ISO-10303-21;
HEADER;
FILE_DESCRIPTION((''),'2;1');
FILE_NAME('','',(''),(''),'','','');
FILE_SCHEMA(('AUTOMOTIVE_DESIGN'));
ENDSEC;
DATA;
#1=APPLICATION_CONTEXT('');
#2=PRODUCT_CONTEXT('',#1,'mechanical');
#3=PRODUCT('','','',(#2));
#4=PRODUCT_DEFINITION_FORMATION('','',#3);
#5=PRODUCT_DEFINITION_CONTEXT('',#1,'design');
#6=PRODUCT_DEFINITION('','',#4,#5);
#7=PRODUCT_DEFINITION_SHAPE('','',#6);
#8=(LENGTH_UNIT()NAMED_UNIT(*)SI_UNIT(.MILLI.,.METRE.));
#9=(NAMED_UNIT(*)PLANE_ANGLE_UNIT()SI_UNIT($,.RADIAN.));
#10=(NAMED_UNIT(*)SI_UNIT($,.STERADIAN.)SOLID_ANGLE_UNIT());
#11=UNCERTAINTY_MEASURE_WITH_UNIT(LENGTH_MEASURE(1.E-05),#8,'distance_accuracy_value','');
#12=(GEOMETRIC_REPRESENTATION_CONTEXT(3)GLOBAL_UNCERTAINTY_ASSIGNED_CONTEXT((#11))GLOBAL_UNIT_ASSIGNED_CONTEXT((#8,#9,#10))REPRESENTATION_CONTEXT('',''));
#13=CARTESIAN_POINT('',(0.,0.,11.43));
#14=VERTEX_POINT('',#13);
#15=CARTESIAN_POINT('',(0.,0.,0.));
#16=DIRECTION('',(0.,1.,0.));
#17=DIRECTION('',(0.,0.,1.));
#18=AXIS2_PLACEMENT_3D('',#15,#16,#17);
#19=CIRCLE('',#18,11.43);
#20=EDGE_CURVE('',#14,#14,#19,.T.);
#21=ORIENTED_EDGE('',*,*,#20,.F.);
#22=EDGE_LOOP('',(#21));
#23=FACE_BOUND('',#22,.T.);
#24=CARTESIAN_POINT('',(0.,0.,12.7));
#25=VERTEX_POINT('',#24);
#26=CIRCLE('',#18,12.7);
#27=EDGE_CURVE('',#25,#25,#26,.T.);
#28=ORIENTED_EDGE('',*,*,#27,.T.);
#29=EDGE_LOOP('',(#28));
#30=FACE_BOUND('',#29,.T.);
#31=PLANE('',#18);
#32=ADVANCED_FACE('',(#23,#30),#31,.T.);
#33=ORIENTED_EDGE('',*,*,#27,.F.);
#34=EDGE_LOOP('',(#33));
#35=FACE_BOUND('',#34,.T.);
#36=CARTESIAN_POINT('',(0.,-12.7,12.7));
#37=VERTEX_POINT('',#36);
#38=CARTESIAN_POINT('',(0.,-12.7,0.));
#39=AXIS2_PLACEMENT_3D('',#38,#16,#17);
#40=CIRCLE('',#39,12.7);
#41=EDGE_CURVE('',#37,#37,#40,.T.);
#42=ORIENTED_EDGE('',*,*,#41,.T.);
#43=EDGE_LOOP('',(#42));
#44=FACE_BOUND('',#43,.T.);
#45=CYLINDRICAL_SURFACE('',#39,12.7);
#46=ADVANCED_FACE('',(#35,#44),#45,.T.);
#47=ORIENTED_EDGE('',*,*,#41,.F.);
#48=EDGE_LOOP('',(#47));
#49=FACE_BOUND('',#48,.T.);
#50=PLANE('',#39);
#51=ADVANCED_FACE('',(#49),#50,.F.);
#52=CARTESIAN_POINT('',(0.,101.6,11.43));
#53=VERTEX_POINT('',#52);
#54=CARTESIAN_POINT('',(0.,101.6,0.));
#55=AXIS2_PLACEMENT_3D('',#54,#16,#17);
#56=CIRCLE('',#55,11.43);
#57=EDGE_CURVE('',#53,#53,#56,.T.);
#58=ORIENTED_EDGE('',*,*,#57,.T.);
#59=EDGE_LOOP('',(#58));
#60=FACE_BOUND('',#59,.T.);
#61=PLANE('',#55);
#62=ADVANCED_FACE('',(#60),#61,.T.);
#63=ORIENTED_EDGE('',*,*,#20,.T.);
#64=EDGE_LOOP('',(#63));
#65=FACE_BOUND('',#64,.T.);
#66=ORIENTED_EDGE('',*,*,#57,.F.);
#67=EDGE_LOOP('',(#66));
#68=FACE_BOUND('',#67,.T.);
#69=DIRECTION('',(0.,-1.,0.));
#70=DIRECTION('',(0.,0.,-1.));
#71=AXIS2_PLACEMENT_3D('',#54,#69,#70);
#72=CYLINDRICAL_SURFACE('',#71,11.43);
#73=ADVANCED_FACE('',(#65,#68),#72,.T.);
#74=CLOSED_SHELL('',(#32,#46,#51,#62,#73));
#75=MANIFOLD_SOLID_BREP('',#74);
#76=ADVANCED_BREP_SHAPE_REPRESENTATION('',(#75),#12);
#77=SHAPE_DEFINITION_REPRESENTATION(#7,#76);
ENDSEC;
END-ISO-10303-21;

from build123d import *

# Parameters (mm, degrees)
SKETCH1_R           = 11.43
BOSS_EXTRUDE1_DEPTH = 101.6
SKETCH1_3_R         = 12.7
BOSS_EXTRUDE2_DEPTH = 12.7


with BuildPart() as part:
    # Sketch1 → Boss-Extrude1 (new body)
    with BuildSketch(Plane(origin=(0, 0, 0), x_dir=(1, 0, 0), z_dir=(0, 1, 0))):
        Circle(SKETCH1_R)
    extrude(amount=BOSS_EXTRUDE1_DEPTH)

    # Sketch1<3> → Boss-Extrude2 (add)
    with BuildSketch(Plane(origin=(0, 0, 0), x_dir=(1, 0, 0), z_dir=(0, 1, 0))):
        Circle(SKETCH1_3_R)
    extrude(amount=-BOSS_EXTRUDE2_DEPTH)


solid = part.part
